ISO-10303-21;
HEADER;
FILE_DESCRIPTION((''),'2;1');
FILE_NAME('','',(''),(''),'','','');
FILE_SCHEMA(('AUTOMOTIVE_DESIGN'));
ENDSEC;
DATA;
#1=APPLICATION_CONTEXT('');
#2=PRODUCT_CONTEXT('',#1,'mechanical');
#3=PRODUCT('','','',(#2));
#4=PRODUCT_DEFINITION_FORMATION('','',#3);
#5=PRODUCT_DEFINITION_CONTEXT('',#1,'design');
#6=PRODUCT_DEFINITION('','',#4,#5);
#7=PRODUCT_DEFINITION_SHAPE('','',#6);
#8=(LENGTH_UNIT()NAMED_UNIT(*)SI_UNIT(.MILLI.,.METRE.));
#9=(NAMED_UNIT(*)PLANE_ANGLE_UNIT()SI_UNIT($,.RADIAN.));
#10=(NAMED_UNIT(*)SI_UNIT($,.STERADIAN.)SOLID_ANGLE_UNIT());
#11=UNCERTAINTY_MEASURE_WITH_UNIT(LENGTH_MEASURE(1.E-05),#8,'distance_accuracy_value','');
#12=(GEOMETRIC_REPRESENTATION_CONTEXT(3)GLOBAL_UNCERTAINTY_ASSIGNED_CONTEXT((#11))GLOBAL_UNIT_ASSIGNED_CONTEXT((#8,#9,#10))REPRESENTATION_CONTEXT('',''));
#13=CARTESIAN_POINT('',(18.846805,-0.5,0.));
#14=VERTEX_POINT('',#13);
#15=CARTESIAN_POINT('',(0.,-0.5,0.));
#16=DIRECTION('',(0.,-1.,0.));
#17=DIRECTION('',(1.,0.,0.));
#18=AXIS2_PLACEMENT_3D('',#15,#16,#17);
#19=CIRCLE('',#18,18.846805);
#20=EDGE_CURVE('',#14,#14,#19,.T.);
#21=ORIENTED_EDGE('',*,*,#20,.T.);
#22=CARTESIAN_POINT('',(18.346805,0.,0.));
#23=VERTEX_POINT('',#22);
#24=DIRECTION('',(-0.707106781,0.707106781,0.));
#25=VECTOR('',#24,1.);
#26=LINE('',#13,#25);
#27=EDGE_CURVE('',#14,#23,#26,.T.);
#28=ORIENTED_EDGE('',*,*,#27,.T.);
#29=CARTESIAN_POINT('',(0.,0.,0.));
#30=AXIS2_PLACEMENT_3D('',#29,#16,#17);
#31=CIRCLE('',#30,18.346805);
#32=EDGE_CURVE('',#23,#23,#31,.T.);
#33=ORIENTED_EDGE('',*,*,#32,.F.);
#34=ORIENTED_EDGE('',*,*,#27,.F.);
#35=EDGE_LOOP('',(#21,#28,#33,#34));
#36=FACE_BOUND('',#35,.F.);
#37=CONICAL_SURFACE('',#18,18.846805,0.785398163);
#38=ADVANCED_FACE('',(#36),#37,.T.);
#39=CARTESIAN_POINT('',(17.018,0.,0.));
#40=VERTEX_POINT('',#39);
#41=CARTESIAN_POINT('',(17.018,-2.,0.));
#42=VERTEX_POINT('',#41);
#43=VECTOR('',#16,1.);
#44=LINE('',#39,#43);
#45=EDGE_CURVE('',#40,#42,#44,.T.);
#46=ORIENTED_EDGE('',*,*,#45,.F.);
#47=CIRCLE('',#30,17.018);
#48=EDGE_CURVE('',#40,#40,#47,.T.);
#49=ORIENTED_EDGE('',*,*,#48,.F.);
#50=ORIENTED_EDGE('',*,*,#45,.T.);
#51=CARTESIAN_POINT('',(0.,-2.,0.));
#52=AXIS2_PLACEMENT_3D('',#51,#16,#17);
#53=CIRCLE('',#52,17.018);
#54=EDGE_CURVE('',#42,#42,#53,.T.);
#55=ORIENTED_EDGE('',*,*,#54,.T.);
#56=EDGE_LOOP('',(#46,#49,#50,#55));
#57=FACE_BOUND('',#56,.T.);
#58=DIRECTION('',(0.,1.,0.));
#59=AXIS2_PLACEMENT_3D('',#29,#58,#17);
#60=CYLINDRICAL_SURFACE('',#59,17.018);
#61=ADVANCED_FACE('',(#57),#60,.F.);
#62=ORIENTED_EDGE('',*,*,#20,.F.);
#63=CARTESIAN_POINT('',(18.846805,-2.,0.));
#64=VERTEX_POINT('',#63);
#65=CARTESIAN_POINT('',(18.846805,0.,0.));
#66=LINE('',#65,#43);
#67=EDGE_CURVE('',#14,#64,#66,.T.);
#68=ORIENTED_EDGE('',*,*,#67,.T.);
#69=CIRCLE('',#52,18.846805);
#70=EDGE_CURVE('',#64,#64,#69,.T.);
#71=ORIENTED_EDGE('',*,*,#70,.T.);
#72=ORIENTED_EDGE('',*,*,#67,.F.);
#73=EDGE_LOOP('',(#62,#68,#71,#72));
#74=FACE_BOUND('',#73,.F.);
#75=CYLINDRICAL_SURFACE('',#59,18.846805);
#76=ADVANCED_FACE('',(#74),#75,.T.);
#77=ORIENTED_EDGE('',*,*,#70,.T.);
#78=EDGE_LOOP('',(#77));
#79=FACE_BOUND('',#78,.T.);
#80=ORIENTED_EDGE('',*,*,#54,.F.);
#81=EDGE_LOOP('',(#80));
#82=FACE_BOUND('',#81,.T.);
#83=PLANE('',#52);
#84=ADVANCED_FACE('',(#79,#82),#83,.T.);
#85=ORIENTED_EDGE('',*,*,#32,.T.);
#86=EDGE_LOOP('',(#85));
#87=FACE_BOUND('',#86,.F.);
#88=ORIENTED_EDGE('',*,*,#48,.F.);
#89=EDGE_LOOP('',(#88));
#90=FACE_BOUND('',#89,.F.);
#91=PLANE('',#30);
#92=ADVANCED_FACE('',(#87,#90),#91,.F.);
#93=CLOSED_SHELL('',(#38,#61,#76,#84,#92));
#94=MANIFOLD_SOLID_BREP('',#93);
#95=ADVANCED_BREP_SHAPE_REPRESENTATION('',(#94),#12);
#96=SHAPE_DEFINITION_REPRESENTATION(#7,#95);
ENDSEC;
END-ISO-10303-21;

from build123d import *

# Parameters (mm, degrees)
F0_R     = 17.018
F0_R_2   = 18.846805
F1_DEPTH = 2
F2_DEPTH = 25
F3_SIZE  = 0.5


with BuildPart() as f1:
    # F0 (on Front) → F1 (new body)
    with BuildSketch(Plane.XZ):
        Circle(F0_R)
        Circle(F0_R_2)
        Circle(F0_R, mode=Mode.SUBTRACT)
    extrude(amount=F1_DEPTH)

    # F0 (on Front) → F2 (cut)
    with BuildSketch(Plane.XZ):
        Circle(F0_R)
    extrude(amount=F2_DEPTH, mode=Mode.SUBTRACT)

    # F3
    f3_edges = [f1.edges().sort_by_distance(p)[0] for p in [
        (-18.846805, 0, 0),
    ]]
    chamfer(f3_edges, length=F3_SIZE)


solid = f1.part
